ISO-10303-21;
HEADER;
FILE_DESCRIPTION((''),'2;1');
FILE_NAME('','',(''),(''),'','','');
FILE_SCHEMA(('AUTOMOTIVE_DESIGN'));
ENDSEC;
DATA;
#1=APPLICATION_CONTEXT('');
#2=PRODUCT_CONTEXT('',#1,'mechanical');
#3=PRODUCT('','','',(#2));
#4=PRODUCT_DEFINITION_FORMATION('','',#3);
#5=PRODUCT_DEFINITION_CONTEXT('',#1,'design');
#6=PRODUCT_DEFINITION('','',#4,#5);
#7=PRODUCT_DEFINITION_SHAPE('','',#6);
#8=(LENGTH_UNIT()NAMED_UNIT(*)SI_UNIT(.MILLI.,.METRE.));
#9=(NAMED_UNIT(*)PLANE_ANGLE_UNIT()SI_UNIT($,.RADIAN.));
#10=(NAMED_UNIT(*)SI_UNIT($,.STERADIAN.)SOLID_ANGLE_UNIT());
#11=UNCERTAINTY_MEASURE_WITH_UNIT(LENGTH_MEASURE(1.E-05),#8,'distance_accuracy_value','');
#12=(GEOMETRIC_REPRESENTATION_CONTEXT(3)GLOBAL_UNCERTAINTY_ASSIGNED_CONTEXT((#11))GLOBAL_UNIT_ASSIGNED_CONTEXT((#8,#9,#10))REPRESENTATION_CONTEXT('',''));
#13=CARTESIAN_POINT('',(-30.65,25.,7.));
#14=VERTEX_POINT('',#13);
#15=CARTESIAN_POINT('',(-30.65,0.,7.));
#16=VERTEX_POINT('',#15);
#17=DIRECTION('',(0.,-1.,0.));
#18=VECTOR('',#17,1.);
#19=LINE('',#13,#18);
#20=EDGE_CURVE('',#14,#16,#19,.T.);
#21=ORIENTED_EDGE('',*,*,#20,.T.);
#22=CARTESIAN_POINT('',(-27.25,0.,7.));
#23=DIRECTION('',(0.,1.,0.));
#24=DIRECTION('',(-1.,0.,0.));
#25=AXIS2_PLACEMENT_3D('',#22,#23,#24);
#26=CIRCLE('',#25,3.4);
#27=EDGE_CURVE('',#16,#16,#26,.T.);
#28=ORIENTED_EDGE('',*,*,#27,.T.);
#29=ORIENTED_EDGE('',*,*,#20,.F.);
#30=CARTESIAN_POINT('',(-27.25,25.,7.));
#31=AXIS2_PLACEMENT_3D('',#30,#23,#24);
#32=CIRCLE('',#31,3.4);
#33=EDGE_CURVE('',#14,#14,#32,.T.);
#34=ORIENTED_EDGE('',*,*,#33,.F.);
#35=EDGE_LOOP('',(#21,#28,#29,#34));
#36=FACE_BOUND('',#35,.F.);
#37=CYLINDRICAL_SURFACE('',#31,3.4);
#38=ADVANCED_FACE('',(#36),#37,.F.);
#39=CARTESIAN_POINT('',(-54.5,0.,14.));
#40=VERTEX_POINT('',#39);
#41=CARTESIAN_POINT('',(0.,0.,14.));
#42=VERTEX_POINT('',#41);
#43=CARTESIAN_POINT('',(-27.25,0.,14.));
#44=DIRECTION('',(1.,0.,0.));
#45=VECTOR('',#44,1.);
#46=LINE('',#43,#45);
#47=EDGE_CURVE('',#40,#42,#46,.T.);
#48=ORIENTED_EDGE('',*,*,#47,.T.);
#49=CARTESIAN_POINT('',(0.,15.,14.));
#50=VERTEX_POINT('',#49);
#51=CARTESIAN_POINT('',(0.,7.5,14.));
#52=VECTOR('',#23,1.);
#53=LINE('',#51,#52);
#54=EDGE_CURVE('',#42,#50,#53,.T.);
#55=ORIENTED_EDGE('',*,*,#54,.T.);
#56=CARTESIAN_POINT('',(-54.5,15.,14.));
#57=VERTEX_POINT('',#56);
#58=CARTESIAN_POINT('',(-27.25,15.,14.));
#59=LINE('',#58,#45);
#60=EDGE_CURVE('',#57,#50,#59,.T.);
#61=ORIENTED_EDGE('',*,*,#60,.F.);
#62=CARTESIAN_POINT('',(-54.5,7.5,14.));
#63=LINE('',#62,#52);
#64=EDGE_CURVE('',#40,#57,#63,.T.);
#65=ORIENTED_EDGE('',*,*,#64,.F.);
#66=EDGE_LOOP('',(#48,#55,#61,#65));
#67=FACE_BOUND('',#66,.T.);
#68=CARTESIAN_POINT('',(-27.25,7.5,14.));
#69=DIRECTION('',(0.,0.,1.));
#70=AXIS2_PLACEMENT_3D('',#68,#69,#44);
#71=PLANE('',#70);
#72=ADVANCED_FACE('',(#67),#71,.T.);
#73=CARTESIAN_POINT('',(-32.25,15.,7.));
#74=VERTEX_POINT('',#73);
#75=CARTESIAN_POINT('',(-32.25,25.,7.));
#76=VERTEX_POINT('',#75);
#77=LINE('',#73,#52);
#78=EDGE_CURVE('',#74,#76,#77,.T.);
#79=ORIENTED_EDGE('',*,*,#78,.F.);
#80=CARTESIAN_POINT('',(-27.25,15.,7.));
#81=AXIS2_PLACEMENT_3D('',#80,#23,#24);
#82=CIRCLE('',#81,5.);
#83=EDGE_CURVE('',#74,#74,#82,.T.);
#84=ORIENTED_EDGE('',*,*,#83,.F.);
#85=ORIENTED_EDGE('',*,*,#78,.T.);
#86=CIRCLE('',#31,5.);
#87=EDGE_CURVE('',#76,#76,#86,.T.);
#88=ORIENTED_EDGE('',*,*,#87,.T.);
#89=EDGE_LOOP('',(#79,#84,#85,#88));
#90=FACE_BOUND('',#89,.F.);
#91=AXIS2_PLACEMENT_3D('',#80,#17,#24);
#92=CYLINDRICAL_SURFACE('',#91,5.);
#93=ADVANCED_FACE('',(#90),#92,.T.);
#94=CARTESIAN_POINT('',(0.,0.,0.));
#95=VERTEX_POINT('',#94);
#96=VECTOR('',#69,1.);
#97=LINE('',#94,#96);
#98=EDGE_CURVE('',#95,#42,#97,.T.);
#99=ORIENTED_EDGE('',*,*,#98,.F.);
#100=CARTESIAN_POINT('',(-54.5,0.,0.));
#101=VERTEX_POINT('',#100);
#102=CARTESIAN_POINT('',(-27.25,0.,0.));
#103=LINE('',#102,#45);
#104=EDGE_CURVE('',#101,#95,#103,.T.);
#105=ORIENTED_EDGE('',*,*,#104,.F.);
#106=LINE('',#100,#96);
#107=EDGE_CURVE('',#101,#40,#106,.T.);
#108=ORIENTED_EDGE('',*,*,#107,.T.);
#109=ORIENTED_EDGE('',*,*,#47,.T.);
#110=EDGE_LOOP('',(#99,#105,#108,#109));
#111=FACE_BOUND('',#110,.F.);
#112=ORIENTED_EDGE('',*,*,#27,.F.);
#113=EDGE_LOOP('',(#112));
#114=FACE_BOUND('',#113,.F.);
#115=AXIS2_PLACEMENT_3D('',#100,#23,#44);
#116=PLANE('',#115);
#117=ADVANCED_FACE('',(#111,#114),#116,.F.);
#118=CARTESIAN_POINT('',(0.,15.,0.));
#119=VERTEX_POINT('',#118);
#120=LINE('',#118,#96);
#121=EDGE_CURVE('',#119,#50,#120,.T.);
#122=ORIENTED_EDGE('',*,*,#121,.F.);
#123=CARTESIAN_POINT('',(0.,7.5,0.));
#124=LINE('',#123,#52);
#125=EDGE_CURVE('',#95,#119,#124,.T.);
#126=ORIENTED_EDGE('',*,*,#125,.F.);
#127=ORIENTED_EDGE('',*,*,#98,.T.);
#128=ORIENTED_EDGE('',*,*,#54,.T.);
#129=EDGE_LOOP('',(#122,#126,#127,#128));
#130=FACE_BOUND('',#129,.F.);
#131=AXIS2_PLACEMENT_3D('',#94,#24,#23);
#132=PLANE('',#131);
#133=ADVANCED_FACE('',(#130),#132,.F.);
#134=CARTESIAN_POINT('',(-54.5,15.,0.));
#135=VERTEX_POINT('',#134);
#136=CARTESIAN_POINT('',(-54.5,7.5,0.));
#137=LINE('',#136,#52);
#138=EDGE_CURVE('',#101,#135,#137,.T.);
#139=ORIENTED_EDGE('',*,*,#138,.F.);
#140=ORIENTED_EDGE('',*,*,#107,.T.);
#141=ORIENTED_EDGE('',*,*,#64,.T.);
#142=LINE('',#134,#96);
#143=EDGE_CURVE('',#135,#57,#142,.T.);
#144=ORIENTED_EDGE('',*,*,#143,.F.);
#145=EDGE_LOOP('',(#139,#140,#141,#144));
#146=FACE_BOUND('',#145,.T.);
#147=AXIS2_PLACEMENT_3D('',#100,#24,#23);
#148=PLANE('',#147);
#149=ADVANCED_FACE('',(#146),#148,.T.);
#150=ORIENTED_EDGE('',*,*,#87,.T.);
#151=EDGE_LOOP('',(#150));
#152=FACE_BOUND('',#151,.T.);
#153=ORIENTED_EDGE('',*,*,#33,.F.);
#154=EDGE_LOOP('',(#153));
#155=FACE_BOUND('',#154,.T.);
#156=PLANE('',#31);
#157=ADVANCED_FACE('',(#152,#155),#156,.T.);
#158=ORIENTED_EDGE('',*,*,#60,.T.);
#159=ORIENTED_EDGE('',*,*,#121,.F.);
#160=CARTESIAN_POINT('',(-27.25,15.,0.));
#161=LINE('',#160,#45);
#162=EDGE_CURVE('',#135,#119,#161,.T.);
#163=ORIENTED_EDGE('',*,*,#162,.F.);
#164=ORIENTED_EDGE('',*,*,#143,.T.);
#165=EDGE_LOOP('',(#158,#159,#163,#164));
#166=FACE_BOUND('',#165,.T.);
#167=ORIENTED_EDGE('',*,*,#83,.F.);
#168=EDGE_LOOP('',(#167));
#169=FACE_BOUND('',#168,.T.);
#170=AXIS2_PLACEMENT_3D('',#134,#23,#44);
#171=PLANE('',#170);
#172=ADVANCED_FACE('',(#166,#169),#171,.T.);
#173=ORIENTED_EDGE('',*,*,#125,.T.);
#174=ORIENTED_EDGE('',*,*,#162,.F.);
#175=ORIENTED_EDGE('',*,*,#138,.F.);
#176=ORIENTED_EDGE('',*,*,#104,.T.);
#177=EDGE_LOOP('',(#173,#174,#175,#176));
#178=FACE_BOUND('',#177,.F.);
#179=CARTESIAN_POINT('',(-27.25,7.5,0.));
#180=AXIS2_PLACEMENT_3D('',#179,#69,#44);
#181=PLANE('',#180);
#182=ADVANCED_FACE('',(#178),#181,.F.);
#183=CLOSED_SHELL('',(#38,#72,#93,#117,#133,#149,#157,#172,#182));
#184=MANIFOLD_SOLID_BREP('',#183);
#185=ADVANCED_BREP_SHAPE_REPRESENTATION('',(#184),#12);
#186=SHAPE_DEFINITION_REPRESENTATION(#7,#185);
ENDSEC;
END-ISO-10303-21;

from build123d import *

# Parameters (mm, degrees)
SKETCH009_W     = 54.5
SKETCH009_H     = 15
PAD003_DEPTH    = 14
SKETCH011_R     = 5
PAD005_DEPTH    = 10
SKETCH012_R     = 3.4
POCKET004_DEPTH = 30


with BuildPart() as part:
    # Sketch009 → Pad003 (new body)
    with BuildSketch(Plane.XY):
        with Locations((-27.25, 7.5)):
            Rectangle(SKETCH009_W, SKETCH009_H)
    extrude(amount=PAD003_DEPTH)

    # Sketch011 (on Face3 of Pad003) → Pad005 (join)
    with BuildSketch(Plane(origin=(0, 15, 0), x_dir=(-1, 0, 0), z_dir=(0, 1, 0))):
        with Locations((27.25, 7)):
            Circle(SKETCH011_R)
    extrude(amount=PAD005_DEPTH)

    # Sketch012 (on Face8 of Pad005) → Pocket004 (cut)
    with BuildSketch(Plane(origin=(0, 25, 0), x_dir=(-1, 0, 0), z_dir=(0, 1, 0))):
        with Locations((27.25, 7)):
            Circle(SKETCH012_R)
    extrude(amount=-POCKET004_DEPTH, mode=Mode.SUBTRACT)


solid = part.part
